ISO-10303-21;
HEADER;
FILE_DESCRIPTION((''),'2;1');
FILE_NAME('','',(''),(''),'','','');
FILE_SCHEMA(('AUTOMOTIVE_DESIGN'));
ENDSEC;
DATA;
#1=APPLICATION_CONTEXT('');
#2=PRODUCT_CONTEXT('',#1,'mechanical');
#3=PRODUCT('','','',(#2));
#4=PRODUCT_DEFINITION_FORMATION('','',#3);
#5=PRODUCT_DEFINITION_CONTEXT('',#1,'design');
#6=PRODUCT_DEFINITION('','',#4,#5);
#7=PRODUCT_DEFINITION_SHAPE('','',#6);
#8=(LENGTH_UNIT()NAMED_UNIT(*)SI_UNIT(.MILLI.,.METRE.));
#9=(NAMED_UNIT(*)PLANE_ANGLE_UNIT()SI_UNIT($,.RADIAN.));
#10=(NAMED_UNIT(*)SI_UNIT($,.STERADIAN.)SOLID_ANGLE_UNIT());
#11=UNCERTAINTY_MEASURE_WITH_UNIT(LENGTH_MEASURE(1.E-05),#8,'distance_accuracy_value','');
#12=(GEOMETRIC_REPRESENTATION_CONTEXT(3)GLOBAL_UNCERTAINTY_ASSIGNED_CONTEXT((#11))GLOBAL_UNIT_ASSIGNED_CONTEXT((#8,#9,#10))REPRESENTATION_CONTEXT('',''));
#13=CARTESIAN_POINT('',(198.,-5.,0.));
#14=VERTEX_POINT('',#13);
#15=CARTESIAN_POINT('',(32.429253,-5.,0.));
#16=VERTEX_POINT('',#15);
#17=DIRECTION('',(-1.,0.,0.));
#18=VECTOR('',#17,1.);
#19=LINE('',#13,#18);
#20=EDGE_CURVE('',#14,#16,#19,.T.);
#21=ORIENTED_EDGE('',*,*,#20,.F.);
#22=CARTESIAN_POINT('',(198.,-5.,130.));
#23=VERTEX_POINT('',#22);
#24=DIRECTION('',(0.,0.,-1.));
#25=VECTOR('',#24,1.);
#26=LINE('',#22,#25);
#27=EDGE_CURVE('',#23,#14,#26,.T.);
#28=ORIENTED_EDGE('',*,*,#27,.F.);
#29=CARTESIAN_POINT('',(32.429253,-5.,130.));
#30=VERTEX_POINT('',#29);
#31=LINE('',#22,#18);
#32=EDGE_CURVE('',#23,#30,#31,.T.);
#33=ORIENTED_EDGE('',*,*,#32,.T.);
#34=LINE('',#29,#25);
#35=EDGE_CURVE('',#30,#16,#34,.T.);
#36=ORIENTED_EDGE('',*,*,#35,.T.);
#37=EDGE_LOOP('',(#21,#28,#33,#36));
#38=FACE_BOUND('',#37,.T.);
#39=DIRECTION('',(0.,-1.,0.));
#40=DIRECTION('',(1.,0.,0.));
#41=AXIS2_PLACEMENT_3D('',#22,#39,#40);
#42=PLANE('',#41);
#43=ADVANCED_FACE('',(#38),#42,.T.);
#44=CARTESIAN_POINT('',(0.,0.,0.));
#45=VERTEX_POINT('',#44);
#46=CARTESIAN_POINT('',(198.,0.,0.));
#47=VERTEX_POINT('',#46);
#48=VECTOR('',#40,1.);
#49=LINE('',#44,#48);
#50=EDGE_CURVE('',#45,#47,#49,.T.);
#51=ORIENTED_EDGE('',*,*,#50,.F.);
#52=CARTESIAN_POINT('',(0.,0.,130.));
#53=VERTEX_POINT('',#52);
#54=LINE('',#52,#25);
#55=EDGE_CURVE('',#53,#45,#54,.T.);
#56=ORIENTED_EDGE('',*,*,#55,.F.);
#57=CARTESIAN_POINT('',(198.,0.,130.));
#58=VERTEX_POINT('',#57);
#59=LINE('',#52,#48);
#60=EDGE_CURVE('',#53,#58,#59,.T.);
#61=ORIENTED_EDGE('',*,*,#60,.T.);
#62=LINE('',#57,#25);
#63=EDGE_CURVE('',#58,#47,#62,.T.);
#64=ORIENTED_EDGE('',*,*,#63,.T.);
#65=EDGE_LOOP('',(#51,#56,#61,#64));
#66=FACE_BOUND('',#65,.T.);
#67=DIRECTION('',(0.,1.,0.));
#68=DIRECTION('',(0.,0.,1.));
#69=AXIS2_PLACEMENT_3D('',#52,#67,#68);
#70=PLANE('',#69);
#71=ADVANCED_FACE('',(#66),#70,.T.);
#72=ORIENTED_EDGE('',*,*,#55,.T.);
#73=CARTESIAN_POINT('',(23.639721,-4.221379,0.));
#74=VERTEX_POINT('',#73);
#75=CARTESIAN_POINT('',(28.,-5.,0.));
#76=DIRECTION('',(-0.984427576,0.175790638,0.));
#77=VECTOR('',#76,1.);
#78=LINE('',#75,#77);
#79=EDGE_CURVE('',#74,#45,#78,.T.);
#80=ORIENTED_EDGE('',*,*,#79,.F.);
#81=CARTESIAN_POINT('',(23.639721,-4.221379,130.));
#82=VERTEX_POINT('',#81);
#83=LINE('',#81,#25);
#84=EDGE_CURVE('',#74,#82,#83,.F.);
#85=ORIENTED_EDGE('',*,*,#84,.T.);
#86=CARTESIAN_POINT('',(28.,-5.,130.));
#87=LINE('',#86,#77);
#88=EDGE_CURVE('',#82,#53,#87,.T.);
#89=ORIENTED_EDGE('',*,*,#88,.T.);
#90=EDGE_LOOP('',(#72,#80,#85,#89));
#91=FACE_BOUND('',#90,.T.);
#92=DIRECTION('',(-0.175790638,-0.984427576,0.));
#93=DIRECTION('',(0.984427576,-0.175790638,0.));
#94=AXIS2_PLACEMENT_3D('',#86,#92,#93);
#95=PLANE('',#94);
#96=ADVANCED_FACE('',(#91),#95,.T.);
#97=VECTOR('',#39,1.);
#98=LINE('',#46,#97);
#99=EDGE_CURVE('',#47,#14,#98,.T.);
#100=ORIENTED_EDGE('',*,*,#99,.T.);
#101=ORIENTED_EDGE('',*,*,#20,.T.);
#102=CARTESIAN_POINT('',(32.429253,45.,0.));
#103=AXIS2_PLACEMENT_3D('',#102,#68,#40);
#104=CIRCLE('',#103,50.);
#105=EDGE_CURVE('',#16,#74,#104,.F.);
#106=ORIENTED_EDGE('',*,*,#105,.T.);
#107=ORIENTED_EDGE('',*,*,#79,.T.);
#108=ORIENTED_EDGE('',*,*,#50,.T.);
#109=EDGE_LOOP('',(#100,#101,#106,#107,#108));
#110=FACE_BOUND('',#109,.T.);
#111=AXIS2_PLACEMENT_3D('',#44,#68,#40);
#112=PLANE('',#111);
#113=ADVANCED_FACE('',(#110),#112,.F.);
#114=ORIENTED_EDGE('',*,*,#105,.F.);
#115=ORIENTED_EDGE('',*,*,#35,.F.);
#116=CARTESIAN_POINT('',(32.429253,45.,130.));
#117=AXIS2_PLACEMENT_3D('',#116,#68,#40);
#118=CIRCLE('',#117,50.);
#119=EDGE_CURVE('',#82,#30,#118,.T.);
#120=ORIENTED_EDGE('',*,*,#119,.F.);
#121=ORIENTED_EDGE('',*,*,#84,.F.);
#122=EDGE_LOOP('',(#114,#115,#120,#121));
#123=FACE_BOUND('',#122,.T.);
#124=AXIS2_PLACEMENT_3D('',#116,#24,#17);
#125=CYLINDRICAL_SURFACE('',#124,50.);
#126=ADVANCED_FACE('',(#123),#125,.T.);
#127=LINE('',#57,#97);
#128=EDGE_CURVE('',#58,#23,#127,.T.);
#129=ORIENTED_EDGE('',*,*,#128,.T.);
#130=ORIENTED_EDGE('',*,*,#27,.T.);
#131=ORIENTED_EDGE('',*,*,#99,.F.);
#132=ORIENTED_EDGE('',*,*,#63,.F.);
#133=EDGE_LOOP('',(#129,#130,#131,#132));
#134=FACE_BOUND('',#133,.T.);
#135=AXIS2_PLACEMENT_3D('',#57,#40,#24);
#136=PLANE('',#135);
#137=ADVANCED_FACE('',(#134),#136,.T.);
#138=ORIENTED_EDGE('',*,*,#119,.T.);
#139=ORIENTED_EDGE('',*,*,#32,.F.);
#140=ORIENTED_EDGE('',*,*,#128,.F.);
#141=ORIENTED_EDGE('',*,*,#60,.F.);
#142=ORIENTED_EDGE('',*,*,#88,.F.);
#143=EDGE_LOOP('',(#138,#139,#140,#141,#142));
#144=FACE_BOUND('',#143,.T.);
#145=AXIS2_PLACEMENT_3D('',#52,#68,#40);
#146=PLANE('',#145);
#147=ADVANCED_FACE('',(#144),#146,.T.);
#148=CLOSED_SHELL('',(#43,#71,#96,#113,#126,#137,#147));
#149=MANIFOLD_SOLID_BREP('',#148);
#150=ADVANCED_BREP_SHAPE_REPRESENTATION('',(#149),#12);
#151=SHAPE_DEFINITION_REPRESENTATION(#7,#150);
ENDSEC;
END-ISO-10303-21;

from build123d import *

# Parameters (mm, degrees)
BOSS_EXTRUDE1_DEPTH = 130
FILLET1_R           = 50


with BuildPart() as part:
    # Sketch1 → Boss-Extrude1 (new body)
    with BuildSketch(Plane.XY):
        Polygon((0, 0), (198, 0), (198, -5), (28, -5), align=None)
    extrude(amount=BOSS_EXTRUDE1_DEPTH)

    # Fillet1
    fillet1_edges = [part.edges().sort_by_distance(p)[0] for p in [
        (28, -5, 65),
    ]]
    fillet(fillet1_edges, radius=FILLET1_R)


solid = part.part
